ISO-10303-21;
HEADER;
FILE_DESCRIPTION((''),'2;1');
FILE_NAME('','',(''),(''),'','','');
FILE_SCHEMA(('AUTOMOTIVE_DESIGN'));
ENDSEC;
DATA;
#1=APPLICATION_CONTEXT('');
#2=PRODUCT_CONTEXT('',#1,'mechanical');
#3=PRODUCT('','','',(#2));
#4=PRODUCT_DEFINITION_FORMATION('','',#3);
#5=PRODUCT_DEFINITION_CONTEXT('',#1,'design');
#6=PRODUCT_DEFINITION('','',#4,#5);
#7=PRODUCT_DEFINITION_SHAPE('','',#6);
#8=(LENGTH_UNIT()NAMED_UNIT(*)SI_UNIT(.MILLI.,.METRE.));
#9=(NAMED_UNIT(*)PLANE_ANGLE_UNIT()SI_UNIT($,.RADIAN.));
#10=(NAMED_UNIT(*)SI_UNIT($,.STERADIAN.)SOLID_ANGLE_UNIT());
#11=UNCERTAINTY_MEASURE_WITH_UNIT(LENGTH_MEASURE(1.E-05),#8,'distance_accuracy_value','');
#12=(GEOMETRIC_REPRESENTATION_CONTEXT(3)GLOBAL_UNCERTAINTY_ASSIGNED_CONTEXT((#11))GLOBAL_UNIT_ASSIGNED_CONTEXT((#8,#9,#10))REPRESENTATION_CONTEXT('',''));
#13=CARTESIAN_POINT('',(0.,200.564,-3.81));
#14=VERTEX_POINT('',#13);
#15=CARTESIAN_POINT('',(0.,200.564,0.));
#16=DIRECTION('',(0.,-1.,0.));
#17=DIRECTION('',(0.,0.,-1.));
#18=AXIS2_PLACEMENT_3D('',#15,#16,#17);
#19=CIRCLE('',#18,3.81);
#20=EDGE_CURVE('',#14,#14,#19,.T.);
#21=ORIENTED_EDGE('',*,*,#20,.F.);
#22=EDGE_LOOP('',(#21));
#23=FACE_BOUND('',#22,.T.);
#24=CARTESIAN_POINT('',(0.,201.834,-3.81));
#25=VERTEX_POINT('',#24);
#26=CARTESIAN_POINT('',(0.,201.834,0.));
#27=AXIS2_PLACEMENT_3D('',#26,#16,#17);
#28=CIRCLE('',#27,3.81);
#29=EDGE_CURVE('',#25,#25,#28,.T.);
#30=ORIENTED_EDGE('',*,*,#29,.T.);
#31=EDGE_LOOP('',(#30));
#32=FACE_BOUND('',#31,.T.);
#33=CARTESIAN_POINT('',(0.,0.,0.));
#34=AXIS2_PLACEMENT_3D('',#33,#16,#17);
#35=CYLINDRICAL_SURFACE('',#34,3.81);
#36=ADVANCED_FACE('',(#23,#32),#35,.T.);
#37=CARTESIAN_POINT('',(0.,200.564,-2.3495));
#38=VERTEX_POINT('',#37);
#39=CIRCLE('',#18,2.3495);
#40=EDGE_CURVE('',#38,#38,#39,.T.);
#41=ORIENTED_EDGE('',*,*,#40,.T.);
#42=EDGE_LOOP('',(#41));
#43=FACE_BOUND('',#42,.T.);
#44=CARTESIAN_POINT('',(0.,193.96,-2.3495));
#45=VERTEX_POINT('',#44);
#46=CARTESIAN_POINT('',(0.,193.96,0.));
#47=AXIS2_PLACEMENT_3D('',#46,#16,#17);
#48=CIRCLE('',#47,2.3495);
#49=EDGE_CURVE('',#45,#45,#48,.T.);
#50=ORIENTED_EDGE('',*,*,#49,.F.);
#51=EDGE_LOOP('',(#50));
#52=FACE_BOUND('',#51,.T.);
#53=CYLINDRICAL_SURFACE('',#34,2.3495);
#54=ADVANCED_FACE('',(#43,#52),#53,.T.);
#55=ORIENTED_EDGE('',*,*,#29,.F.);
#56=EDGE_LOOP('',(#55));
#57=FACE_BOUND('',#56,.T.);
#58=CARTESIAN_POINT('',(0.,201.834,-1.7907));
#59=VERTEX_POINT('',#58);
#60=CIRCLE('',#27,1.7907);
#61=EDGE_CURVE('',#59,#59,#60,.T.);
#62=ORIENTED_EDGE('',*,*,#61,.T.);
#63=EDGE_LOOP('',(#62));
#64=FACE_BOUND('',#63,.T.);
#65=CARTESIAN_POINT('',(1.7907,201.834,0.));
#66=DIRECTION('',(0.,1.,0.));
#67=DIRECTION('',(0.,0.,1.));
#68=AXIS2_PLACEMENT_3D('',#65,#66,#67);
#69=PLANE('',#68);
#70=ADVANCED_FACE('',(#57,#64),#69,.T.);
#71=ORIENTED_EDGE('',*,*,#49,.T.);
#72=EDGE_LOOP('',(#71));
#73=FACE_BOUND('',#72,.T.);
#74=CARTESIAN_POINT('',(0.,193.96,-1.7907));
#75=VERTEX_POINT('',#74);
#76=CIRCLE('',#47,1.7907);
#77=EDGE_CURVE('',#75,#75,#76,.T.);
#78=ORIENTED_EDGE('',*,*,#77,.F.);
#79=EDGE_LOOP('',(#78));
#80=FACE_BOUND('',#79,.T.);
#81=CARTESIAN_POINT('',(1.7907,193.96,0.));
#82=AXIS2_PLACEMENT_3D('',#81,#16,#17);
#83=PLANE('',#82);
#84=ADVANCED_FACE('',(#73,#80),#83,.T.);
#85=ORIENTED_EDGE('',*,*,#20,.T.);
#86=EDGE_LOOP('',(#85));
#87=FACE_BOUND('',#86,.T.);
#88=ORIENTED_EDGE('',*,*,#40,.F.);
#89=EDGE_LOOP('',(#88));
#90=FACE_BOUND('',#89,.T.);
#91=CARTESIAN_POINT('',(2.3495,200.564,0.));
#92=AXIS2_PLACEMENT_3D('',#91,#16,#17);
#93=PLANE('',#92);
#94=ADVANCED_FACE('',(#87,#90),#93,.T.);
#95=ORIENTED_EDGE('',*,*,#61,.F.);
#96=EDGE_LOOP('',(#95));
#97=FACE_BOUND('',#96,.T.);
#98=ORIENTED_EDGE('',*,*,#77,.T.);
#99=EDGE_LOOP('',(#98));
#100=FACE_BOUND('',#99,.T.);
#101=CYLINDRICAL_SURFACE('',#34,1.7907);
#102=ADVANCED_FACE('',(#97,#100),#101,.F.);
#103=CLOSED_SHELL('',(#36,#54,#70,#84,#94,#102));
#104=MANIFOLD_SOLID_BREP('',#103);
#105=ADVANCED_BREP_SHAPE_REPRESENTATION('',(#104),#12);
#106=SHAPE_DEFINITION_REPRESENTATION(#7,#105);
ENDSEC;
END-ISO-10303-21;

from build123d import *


with BuildPart() as part:
    # Sketch1 → Revolve1 (revolve)
    with BuildSketch(Plane.XY, mode=Mode.PRIVATE) as revolve1_sk:
        Polygon((1.7907, 193.96), (2.3495, 193.96), (2.3495, 200.564), (3.81, 200.564), (3.81, 201.834), (1.7907, 201.834), align=None)
    revolve(revolve1_sk.sketch.rotate(Axis((0, 0, 0), (0, 1, 0)), 90), axis=Axis((0, 0, 0), (0, 1, 0)))


solid = part.part
